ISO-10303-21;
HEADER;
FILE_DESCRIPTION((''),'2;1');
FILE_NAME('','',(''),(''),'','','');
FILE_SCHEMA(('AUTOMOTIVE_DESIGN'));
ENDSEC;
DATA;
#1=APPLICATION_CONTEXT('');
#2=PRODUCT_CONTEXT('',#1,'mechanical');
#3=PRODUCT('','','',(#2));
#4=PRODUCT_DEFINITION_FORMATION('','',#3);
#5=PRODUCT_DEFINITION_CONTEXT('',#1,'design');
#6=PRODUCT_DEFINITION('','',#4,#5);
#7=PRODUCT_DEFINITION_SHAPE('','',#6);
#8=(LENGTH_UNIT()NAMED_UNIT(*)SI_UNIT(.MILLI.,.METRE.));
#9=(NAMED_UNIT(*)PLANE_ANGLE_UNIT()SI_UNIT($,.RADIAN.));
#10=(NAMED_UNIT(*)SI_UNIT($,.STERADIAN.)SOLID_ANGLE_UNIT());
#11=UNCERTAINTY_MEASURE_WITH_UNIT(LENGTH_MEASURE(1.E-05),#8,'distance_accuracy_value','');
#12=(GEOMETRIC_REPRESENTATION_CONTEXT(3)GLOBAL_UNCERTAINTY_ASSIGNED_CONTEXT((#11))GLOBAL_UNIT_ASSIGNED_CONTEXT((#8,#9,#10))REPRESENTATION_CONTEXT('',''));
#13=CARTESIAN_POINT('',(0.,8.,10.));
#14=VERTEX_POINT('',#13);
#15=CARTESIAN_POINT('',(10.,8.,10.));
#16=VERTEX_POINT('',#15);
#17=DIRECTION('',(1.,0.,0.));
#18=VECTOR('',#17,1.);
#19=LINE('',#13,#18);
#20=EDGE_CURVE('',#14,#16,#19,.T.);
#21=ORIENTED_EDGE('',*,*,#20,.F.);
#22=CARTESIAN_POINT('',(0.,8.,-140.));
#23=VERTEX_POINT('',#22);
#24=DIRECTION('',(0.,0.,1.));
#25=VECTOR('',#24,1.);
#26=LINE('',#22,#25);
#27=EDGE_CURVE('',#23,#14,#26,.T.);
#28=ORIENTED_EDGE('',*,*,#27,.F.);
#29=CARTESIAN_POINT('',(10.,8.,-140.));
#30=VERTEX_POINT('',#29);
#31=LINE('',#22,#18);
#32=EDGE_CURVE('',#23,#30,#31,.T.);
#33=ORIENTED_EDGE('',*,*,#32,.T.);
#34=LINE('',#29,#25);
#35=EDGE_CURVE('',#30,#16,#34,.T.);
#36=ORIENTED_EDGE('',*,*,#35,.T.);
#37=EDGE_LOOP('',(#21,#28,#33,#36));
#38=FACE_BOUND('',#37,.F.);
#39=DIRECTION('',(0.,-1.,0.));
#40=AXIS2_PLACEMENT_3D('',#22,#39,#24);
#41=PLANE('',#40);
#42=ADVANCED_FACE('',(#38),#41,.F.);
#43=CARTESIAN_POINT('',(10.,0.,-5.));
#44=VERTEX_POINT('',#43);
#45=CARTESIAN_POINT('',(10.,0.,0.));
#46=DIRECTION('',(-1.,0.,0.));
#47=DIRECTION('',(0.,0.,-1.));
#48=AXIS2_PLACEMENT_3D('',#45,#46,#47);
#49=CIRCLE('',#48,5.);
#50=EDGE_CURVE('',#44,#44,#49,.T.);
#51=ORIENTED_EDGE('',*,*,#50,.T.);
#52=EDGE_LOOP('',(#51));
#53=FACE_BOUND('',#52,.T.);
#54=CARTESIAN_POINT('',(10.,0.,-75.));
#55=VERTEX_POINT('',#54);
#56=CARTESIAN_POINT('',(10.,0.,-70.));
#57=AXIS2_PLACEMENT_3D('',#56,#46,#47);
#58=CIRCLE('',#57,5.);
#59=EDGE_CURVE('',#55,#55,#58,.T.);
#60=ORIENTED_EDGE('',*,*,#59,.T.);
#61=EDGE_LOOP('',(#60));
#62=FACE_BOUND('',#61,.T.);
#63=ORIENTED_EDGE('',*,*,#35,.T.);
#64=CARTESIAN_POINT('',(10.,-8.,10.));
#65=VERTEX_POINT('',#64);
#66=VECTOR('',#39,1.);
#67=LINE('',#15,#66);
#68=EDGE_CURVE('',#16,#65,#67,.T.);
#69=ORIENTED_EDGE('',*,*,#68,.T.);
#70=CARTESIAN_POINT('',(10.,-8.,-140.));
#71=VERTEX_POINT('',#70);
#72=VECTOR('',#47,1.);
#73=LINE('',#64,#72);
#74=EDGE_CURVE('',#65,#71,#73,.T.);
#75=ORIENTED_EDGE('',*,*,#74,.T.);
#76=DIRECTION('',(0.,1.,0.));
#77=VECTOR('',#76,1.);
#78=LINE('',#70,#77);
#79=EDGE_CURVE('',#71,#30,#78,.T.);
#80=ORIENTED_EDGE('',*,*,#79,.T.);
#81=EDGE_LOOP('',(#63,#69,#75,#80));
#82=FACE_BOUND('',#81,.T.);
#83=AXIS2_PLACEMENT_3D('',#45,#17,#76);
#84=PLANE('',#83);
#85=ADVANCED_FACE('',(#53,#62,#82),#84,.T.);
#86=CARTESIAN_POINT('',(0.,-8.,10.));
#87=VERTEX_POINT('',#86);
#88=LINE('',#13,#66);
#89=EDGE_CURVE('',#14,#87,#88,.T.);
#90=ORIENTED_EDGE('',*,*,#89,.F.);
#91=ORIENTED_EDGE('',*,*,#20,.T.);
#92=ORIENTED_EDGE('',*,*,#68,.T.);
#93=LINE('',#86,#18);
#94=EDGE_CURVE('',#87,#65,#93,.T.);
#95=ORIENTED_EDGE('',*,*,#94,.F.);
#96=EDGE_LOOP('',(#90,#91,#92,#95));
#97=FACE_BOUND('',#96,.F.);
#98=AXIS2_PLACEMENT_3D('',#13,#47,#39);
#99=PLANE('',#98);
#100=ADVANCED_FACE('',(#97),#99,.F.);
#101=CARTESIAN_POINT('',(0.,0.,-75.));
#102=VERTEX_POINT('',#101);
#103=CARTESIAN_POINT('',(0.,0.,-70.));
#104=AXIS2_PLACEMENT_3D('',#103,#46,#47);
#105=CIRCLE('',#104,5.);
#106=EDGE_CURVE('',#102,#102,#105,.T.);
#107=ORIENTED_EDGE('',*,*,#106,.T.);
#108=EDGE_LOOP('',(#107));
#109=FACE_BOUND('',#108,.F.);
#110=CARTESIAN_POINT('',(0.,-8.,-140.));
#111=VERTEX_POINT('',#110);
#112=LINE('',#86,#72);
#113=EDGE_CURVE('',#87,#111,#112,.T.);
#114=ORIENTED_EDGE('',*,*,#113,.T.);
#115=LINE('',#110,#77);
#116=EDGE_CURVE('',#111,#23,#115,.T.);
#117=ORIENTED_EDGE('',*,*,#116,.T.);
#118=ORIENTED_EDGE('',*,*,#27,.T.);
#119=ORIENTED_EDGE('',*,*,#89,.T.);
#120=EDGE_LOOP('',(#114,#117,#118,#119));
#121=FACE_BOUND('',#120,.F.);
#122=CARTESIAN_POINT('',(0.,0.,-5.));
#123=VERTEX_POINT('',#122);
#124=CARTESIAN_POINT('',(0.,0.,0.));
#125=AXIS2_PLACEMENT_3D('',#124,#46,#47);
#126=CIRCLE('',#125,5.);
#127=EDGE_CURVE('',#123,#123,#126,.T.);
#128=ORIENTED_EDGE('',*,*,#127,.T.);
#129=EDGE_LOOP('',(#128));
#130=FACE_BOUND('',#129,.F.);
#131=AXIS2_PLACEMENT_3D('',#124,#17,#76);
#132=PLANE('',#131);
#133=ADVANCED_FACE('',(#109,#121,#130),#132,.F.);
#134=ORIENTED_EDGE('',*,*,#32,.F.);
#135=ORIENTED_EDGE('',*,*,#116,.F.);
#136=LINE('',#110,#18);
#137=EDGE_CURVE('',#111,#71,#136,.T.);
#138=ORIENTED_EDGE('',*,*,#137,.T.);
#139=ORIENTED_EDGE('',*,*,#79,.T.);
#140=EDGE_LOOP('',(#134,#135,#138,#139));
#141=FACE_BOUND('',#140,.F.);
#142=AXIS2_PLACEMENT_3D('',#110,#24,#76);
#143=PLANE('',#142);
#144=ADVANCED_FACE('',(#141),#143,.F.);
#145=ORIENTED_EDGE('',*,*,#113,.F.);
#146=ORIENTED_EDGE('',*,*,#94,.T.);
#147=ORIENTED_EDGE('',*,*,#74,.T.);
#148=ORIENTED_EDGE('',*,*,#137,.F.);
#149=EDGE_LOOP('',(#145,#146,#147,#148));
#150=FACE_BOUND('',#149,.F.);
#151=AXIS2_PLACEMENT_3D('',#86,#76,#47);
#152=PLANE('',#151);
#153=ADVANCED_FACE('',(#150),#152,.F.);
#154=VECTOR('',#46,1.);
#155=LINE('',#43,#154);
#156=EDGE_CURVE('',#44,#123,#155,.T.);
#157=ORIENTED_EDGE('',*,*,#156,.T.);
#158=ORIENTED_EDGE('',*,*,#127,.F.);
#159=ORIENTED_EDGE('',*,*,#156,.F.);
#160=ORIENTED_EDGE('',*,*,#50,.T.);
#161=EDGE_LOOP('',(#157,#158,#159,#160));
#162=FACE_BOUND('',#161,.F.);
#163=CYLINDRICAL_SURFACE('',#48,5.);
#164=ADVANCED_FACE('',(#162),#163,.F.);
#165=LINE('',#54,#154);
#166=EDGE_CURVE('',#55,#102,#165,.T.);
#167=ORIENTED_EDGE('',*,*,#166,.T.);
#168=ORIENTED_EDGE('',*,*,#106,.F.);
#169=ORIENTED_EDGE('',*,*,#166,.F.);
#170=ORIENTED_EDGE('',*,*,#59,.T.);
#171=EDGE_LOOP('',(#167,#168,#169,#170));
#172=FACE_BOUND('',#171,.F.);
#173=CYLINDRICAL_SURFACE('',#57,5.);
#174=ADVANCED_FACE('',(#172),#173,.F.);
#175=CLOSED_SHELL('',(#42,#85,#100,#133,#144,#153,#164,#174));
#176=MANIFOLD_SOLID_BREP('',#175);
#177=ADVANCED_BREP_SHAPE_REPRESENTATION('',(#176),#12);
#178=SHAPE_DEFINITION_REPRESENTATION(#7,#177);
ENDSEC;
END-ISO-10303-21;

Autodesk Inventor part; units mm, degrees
ref_plane "YZ Plane" through (0, 0, 0) normal (1, 0, 0) x (0, 1, 0)
ref_plane "XZ Plane" through (0, 0, 0) normal (0, 1, 0) x (-1, 0, 0)
ref_plane "XY Plane" through (0, 0, 0) normal (0, 0, 1) x (1, 0, 0)
sketch "Sketch1" plane through (0, 0, 0) normal (1, 0, 0) x (0, 1, 0)
  line L0 (8, 10) -> (-8, 10)
  line L1 (-8, 10) -> (-8, -140)
  line L2 (-8, -140) -> (8, -140)
  line L3 (8, -140) -> (8, 10)
  point P0 (0, 0)
  dimension "d0" = 16
  dimension "d1" = 8
  dimension "d2" = 10
  dimension "d3" = 150
extrude "Extrusion1" add sketch "Sketch1" along normal blind 10
sketch "Sketch2" plane through (10, 0, 0) normal (1, 0, 0) x (0, 0, -1)
  point P0 (0, 0)
  point P1 (0, 0)
hole "Hole1" at (10, 0, 0) direction (-1, 0, 0) diameter 10 depth 22 tip angle 118
sketch "Sketch3" plane through (10, 0, 0) normal (1, 0, 0) x (0, 0, -1)
  point P0 (0, 0)
  point P1 (70, 0)
  dimension "d20" = 0
  dimension "d21" = 70
hole "Hole2" at (10, 0, -70) direction (-1, 0, 0) diameter 10 depth 22 tip angle 118
properties part number "Haste"
